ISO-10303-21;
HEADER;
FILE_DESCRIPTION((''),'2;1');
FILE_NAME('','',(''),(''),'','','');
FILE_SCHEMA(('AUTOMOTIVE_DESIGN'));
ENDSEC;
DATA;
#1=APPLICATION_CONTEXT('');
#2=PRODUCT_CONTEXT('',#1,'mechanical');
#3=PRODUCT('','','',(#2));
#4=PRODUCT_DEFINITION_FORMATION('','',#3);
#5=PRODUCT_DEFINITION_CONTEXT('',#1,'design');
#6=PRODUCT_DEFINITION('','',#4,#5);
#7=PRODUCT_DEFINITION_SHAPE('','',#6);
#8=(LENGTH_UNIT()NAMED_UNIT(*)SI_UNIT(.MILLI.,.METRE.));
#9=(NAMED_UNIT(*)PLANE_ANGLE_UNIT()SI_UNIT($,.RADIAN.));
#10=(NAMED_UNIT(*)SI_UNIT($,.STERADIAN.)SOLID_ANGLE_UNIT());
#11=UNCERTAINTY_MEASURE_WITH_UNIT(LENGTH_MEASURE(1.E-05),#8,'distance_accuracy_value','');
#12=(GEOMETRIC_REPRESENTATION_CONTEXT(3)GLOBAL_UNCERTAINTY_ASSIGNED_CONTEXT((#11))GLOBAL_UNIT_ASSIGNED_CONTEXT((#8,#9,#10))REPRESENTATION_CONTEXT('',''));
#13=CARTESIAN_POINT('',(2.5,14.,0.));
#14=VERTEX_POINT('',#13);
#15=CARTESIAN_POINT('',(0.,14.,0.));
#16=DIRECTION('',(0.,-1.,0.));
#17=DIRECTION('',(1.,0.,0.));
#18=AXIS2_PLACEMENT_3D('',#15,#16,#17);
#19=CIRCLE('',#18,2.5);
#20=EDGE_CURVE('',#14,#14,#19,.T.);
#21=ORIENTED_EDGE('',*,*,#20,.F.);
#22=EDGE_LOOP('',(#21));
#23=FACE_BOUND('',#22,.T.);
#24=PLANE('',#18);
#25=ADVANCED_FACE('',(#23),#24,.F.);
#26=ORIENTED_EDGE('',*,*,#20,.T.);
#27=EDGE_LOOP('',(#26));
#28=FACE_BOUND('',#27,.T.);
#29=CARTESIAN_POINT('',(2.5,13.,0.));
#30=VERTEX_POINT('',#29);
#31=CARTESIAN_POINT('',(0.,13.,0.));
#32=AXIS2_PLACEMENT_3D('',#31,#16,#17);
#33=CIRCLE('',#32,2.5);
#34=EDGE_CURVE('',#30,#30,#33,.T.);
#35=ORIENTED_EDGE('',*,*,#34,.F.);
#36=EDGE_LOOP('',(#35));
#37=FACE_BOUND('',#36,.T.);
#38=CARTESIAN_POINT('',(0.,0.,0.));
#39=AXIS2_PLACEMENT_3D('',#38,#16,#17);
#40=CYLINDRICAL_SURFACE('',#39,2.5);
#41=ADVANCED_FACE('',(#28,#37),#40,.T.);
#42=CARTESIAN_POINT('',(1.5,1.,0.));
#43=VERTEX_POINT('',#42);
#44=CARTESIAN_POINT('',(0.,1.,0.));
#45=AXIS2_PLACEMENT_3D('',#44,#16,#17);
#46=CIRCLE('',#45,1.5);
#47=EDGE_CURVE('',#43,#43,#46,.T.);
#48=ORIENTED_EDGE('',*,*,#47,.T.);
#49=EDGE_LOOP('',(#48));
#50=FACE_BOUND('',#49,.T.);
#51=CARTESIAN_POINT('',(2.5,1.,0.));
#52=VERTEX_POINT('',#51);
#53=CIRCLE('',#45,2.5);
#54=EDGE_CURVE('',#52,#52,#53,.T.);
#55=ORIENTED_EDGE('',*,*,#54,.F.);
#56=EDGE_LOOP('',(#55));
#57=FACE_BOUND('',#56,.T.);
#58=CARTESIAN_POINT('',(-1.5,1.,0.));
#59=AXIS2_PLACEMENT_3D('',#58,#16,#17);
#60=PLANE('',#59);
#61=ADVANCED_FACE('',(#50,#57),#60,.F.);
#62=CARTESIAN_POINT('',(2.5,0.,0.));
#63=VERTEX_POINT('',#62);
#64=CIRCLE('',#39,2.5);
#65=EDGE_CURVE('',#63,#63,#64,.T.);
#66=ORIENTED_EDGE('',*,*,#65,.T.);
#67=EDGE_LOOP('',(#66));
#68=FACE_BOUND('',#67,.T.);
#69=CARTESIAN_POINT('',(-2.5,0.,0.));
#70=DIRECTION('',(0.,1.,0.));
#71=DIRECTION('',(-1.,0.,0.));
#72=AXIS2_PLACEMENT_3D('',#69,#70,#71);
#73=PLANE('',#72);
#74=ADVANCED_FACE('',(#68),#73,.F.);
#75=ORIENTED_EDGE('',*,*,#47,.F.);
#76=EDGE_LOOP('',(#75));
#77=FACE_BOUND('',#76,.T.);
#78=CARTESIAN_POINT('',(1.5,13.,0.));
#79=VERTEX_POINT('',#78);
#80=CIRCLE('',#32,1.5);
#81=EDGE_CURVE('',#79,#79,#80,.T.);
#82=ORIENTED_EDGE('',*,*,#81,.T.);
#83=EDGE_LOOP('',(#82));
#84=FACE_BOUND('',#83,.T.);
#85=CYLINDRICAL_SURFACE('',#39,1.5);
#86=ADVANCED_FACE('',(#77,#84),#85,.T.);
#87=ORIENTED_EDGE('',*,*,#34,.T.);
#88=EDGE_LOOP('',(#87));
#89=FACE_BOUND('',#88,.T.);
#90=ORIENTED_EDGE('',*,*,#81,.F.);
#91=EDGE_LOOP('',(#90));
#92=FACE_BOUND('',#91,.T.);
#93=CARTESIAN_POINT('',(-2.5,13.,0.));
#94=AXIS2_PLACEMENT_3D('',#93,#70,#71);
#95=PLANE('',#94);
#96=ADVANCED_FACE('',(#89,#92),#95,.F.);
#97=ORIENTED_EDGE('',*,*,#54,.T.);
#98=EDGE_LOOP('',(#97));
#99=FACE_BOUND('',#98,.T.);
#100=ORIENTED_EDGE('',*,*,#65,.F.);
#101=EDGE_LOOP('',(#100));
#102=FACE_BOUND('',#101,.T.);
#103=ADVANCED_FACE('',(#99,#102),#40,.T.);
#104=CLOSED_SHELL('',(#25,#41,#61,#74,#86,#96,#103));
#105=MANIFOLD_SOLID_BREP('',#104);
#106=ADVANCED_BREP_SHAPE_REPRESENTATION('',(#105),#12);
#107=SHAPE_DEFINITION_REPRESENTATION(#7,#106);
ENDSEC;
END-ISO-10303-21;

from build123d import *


with BuildPart() as part:
    # Sketch1 → Revolve1 (revolve)
    with BuildSketch(Plane.XY):
        Polygon((0, 0), (0, 14), (-2.5, 14), (-2.5, 13), (-1.5, 13), (-1.5, 1), (-2.5, 1), (-2.5, 0), align=None)
    revolve(axis=Axis((0, 0, 0), (0, 1, 0)))


solid = part.part
